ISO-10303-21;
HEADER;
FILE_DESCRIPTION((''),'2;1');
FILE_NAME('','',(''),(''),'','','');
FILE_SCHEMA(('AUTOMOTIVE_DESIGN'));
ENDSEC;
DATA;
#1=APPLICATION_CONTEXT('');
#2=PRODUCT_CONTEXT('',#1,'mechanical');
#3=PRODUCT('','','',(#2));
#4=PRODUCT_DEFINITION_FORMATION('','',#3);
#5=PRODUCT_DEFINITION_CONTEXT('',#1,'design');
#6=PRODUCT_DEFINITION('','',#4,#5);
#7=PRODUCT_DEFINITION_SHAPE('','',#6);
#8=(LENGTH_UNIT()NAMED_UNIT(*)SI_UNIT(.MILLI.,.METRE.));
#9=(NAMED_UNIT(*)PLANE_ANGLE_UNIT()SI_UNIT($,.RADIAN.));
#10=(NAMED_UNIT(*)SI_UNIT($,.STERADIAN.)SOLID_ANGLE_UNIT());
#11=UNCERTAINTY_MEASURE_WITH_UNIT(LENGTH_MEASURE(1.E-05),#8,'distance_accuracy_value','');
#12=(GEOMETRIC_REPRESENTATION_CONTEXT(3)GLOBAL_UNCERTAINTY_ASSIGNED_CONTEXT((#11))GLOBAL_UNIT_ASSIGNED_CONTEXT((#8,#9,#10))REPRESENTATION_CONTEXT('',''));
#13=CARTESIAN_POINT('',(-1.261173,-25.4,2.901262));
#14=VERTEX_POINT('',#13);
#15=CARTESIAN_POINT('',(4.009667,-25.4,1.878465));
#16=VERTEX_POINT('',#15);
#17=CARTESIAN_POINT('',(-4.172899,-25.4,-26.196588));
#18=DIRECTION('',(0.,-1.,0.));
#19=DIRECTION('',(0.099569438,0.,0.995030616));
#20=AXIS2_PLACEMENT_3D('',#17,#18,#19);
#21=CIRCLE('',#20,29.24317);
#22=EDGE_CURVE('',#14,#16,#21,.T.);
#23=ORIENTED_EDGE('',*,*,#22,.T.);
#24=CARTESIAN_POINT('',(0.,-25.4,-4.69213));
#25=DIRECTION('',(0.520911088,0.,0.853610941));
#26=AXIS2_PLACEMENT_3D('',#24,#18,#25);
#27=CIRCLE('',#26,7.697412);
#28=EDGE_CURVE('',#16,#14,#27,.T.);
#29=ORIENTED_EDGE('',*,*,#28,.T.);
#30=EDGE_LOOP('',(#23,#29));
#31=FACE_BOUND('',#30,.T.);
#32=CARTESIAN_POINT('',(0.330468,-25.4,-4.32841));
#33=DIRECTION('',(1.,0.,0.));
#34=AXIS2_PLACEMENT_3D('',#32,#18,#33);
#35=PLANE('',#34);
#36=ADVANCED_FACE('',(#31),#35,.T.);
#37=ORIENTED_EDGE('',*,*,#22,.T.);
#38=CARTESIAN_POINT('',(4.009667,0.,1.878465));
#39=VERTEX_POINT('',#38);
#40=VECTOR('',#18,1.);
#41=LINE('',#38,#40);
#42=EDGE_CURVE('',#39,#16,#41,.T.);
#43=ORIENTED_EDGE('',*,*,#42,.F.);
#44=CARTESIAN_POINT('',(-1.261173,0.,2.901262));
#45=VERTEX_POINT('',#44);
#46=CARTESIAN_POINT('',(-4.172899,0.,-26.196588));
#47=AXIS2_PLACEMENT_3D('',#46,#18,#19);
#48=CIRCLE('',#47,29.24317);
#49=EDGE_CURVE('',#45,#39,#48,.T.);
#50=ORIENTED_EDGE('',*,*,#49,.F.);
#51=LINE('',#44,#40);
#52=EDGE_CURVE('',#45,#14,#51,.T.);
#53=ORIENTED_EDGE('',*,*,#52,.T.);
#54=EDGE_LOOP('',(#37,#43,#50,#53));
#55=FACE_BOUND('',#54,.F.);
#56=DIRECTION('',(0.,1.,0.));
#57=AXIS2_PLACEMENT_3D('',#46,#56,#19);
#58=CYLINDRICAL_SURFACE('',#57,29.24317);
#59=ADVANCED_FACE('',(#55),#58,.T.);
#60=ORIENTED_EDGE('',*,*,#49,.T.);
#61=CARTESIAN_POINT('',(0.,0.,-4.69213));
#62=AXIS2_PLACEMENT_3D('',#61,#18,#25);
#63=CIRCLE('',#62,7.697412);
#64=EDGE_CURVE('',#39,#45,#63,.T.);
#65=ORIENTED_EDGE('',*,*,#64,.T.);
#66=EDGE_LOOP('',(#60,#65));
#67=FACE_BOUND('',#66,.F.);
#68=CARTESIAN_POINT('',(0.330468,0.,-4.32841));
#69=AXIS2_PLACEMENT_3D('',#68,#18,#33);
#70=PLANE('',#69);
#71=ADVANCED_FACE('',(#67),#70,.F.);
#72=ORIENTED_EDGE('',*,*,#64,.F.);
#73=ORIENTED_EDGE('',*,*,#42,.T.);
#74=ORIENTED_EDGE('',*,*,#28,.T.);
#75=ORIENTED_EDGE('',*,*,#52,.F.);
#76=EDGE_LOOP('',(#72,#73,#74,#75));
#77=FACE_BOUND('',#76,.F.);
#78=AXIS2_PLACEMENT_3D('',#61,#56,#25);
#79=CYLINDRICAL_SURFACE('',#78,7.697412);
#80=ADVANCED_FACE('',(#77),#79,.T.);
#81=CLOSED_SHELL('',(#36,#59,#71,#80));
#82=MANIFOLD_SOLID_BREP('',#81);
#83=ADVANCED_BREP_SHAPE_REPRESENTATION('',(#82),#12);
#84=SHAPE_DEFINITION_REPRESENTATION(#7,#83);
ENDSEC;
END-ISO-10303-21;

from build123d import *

# Parameters (mm, degrees)
F1_DEPTH = 25.4


with BuildPart() as f1:
    # F0 (on Front) → F1 (new body)
    with BuildSketch(Plane.XZ):
        with BuildLine():
            ThreePointArc((-1.2611728175, 2.9012616412), (-4.9770665874, -10.5640084083), (7.6974119231, -4.6921297908))
            ThreePointArc((7.6974119231, -4.6921297908), (6.7124589599, -0.9247639968), (4.0096672194, 1.8784652435))
            ThreePointArc((4.0096672194, 1.8784652435), (1.3977705379, 2.5110877119), (-1.2611728175, 2.9012616412))
        make_face()
        with BuildLine():
            ThreePointArc((4.0096672194, 1.8784652435), (6.7124589599, -0.9247639968), (7.6974119231, -4.6921297908))
            ThreePointArc((7.6974119231, -4.6921297908), (-4.9770665874, -10.5640084083), (-1.2611728175, 2.9012616412))
            ThreePointArc((-1.2611728175, 2.9012616412), (-25.8559693108, -45.8181944607), (25.0702711814, -26.1965878308))
            ThreePointArc((25.0702711814, -26.1965878308), (19.2199116299, -8.6483853276), (4.0096672194, 1.8784652435))
        make_face()
        with BuildLine():
            ThreePointArc((-1.2611728175, 2.9012616412), (1.3977705379, 2.5110877119), (4.0096672194, 1.8784652435))
            ThreePointArc((4.0096672194, 1.8784652435), (1.4663162984, 2.864328826), (-1.2611728175, 2.9012616412))
        make_face()
    extrude(amount=F1_DEPTH)


solid = f1.part
